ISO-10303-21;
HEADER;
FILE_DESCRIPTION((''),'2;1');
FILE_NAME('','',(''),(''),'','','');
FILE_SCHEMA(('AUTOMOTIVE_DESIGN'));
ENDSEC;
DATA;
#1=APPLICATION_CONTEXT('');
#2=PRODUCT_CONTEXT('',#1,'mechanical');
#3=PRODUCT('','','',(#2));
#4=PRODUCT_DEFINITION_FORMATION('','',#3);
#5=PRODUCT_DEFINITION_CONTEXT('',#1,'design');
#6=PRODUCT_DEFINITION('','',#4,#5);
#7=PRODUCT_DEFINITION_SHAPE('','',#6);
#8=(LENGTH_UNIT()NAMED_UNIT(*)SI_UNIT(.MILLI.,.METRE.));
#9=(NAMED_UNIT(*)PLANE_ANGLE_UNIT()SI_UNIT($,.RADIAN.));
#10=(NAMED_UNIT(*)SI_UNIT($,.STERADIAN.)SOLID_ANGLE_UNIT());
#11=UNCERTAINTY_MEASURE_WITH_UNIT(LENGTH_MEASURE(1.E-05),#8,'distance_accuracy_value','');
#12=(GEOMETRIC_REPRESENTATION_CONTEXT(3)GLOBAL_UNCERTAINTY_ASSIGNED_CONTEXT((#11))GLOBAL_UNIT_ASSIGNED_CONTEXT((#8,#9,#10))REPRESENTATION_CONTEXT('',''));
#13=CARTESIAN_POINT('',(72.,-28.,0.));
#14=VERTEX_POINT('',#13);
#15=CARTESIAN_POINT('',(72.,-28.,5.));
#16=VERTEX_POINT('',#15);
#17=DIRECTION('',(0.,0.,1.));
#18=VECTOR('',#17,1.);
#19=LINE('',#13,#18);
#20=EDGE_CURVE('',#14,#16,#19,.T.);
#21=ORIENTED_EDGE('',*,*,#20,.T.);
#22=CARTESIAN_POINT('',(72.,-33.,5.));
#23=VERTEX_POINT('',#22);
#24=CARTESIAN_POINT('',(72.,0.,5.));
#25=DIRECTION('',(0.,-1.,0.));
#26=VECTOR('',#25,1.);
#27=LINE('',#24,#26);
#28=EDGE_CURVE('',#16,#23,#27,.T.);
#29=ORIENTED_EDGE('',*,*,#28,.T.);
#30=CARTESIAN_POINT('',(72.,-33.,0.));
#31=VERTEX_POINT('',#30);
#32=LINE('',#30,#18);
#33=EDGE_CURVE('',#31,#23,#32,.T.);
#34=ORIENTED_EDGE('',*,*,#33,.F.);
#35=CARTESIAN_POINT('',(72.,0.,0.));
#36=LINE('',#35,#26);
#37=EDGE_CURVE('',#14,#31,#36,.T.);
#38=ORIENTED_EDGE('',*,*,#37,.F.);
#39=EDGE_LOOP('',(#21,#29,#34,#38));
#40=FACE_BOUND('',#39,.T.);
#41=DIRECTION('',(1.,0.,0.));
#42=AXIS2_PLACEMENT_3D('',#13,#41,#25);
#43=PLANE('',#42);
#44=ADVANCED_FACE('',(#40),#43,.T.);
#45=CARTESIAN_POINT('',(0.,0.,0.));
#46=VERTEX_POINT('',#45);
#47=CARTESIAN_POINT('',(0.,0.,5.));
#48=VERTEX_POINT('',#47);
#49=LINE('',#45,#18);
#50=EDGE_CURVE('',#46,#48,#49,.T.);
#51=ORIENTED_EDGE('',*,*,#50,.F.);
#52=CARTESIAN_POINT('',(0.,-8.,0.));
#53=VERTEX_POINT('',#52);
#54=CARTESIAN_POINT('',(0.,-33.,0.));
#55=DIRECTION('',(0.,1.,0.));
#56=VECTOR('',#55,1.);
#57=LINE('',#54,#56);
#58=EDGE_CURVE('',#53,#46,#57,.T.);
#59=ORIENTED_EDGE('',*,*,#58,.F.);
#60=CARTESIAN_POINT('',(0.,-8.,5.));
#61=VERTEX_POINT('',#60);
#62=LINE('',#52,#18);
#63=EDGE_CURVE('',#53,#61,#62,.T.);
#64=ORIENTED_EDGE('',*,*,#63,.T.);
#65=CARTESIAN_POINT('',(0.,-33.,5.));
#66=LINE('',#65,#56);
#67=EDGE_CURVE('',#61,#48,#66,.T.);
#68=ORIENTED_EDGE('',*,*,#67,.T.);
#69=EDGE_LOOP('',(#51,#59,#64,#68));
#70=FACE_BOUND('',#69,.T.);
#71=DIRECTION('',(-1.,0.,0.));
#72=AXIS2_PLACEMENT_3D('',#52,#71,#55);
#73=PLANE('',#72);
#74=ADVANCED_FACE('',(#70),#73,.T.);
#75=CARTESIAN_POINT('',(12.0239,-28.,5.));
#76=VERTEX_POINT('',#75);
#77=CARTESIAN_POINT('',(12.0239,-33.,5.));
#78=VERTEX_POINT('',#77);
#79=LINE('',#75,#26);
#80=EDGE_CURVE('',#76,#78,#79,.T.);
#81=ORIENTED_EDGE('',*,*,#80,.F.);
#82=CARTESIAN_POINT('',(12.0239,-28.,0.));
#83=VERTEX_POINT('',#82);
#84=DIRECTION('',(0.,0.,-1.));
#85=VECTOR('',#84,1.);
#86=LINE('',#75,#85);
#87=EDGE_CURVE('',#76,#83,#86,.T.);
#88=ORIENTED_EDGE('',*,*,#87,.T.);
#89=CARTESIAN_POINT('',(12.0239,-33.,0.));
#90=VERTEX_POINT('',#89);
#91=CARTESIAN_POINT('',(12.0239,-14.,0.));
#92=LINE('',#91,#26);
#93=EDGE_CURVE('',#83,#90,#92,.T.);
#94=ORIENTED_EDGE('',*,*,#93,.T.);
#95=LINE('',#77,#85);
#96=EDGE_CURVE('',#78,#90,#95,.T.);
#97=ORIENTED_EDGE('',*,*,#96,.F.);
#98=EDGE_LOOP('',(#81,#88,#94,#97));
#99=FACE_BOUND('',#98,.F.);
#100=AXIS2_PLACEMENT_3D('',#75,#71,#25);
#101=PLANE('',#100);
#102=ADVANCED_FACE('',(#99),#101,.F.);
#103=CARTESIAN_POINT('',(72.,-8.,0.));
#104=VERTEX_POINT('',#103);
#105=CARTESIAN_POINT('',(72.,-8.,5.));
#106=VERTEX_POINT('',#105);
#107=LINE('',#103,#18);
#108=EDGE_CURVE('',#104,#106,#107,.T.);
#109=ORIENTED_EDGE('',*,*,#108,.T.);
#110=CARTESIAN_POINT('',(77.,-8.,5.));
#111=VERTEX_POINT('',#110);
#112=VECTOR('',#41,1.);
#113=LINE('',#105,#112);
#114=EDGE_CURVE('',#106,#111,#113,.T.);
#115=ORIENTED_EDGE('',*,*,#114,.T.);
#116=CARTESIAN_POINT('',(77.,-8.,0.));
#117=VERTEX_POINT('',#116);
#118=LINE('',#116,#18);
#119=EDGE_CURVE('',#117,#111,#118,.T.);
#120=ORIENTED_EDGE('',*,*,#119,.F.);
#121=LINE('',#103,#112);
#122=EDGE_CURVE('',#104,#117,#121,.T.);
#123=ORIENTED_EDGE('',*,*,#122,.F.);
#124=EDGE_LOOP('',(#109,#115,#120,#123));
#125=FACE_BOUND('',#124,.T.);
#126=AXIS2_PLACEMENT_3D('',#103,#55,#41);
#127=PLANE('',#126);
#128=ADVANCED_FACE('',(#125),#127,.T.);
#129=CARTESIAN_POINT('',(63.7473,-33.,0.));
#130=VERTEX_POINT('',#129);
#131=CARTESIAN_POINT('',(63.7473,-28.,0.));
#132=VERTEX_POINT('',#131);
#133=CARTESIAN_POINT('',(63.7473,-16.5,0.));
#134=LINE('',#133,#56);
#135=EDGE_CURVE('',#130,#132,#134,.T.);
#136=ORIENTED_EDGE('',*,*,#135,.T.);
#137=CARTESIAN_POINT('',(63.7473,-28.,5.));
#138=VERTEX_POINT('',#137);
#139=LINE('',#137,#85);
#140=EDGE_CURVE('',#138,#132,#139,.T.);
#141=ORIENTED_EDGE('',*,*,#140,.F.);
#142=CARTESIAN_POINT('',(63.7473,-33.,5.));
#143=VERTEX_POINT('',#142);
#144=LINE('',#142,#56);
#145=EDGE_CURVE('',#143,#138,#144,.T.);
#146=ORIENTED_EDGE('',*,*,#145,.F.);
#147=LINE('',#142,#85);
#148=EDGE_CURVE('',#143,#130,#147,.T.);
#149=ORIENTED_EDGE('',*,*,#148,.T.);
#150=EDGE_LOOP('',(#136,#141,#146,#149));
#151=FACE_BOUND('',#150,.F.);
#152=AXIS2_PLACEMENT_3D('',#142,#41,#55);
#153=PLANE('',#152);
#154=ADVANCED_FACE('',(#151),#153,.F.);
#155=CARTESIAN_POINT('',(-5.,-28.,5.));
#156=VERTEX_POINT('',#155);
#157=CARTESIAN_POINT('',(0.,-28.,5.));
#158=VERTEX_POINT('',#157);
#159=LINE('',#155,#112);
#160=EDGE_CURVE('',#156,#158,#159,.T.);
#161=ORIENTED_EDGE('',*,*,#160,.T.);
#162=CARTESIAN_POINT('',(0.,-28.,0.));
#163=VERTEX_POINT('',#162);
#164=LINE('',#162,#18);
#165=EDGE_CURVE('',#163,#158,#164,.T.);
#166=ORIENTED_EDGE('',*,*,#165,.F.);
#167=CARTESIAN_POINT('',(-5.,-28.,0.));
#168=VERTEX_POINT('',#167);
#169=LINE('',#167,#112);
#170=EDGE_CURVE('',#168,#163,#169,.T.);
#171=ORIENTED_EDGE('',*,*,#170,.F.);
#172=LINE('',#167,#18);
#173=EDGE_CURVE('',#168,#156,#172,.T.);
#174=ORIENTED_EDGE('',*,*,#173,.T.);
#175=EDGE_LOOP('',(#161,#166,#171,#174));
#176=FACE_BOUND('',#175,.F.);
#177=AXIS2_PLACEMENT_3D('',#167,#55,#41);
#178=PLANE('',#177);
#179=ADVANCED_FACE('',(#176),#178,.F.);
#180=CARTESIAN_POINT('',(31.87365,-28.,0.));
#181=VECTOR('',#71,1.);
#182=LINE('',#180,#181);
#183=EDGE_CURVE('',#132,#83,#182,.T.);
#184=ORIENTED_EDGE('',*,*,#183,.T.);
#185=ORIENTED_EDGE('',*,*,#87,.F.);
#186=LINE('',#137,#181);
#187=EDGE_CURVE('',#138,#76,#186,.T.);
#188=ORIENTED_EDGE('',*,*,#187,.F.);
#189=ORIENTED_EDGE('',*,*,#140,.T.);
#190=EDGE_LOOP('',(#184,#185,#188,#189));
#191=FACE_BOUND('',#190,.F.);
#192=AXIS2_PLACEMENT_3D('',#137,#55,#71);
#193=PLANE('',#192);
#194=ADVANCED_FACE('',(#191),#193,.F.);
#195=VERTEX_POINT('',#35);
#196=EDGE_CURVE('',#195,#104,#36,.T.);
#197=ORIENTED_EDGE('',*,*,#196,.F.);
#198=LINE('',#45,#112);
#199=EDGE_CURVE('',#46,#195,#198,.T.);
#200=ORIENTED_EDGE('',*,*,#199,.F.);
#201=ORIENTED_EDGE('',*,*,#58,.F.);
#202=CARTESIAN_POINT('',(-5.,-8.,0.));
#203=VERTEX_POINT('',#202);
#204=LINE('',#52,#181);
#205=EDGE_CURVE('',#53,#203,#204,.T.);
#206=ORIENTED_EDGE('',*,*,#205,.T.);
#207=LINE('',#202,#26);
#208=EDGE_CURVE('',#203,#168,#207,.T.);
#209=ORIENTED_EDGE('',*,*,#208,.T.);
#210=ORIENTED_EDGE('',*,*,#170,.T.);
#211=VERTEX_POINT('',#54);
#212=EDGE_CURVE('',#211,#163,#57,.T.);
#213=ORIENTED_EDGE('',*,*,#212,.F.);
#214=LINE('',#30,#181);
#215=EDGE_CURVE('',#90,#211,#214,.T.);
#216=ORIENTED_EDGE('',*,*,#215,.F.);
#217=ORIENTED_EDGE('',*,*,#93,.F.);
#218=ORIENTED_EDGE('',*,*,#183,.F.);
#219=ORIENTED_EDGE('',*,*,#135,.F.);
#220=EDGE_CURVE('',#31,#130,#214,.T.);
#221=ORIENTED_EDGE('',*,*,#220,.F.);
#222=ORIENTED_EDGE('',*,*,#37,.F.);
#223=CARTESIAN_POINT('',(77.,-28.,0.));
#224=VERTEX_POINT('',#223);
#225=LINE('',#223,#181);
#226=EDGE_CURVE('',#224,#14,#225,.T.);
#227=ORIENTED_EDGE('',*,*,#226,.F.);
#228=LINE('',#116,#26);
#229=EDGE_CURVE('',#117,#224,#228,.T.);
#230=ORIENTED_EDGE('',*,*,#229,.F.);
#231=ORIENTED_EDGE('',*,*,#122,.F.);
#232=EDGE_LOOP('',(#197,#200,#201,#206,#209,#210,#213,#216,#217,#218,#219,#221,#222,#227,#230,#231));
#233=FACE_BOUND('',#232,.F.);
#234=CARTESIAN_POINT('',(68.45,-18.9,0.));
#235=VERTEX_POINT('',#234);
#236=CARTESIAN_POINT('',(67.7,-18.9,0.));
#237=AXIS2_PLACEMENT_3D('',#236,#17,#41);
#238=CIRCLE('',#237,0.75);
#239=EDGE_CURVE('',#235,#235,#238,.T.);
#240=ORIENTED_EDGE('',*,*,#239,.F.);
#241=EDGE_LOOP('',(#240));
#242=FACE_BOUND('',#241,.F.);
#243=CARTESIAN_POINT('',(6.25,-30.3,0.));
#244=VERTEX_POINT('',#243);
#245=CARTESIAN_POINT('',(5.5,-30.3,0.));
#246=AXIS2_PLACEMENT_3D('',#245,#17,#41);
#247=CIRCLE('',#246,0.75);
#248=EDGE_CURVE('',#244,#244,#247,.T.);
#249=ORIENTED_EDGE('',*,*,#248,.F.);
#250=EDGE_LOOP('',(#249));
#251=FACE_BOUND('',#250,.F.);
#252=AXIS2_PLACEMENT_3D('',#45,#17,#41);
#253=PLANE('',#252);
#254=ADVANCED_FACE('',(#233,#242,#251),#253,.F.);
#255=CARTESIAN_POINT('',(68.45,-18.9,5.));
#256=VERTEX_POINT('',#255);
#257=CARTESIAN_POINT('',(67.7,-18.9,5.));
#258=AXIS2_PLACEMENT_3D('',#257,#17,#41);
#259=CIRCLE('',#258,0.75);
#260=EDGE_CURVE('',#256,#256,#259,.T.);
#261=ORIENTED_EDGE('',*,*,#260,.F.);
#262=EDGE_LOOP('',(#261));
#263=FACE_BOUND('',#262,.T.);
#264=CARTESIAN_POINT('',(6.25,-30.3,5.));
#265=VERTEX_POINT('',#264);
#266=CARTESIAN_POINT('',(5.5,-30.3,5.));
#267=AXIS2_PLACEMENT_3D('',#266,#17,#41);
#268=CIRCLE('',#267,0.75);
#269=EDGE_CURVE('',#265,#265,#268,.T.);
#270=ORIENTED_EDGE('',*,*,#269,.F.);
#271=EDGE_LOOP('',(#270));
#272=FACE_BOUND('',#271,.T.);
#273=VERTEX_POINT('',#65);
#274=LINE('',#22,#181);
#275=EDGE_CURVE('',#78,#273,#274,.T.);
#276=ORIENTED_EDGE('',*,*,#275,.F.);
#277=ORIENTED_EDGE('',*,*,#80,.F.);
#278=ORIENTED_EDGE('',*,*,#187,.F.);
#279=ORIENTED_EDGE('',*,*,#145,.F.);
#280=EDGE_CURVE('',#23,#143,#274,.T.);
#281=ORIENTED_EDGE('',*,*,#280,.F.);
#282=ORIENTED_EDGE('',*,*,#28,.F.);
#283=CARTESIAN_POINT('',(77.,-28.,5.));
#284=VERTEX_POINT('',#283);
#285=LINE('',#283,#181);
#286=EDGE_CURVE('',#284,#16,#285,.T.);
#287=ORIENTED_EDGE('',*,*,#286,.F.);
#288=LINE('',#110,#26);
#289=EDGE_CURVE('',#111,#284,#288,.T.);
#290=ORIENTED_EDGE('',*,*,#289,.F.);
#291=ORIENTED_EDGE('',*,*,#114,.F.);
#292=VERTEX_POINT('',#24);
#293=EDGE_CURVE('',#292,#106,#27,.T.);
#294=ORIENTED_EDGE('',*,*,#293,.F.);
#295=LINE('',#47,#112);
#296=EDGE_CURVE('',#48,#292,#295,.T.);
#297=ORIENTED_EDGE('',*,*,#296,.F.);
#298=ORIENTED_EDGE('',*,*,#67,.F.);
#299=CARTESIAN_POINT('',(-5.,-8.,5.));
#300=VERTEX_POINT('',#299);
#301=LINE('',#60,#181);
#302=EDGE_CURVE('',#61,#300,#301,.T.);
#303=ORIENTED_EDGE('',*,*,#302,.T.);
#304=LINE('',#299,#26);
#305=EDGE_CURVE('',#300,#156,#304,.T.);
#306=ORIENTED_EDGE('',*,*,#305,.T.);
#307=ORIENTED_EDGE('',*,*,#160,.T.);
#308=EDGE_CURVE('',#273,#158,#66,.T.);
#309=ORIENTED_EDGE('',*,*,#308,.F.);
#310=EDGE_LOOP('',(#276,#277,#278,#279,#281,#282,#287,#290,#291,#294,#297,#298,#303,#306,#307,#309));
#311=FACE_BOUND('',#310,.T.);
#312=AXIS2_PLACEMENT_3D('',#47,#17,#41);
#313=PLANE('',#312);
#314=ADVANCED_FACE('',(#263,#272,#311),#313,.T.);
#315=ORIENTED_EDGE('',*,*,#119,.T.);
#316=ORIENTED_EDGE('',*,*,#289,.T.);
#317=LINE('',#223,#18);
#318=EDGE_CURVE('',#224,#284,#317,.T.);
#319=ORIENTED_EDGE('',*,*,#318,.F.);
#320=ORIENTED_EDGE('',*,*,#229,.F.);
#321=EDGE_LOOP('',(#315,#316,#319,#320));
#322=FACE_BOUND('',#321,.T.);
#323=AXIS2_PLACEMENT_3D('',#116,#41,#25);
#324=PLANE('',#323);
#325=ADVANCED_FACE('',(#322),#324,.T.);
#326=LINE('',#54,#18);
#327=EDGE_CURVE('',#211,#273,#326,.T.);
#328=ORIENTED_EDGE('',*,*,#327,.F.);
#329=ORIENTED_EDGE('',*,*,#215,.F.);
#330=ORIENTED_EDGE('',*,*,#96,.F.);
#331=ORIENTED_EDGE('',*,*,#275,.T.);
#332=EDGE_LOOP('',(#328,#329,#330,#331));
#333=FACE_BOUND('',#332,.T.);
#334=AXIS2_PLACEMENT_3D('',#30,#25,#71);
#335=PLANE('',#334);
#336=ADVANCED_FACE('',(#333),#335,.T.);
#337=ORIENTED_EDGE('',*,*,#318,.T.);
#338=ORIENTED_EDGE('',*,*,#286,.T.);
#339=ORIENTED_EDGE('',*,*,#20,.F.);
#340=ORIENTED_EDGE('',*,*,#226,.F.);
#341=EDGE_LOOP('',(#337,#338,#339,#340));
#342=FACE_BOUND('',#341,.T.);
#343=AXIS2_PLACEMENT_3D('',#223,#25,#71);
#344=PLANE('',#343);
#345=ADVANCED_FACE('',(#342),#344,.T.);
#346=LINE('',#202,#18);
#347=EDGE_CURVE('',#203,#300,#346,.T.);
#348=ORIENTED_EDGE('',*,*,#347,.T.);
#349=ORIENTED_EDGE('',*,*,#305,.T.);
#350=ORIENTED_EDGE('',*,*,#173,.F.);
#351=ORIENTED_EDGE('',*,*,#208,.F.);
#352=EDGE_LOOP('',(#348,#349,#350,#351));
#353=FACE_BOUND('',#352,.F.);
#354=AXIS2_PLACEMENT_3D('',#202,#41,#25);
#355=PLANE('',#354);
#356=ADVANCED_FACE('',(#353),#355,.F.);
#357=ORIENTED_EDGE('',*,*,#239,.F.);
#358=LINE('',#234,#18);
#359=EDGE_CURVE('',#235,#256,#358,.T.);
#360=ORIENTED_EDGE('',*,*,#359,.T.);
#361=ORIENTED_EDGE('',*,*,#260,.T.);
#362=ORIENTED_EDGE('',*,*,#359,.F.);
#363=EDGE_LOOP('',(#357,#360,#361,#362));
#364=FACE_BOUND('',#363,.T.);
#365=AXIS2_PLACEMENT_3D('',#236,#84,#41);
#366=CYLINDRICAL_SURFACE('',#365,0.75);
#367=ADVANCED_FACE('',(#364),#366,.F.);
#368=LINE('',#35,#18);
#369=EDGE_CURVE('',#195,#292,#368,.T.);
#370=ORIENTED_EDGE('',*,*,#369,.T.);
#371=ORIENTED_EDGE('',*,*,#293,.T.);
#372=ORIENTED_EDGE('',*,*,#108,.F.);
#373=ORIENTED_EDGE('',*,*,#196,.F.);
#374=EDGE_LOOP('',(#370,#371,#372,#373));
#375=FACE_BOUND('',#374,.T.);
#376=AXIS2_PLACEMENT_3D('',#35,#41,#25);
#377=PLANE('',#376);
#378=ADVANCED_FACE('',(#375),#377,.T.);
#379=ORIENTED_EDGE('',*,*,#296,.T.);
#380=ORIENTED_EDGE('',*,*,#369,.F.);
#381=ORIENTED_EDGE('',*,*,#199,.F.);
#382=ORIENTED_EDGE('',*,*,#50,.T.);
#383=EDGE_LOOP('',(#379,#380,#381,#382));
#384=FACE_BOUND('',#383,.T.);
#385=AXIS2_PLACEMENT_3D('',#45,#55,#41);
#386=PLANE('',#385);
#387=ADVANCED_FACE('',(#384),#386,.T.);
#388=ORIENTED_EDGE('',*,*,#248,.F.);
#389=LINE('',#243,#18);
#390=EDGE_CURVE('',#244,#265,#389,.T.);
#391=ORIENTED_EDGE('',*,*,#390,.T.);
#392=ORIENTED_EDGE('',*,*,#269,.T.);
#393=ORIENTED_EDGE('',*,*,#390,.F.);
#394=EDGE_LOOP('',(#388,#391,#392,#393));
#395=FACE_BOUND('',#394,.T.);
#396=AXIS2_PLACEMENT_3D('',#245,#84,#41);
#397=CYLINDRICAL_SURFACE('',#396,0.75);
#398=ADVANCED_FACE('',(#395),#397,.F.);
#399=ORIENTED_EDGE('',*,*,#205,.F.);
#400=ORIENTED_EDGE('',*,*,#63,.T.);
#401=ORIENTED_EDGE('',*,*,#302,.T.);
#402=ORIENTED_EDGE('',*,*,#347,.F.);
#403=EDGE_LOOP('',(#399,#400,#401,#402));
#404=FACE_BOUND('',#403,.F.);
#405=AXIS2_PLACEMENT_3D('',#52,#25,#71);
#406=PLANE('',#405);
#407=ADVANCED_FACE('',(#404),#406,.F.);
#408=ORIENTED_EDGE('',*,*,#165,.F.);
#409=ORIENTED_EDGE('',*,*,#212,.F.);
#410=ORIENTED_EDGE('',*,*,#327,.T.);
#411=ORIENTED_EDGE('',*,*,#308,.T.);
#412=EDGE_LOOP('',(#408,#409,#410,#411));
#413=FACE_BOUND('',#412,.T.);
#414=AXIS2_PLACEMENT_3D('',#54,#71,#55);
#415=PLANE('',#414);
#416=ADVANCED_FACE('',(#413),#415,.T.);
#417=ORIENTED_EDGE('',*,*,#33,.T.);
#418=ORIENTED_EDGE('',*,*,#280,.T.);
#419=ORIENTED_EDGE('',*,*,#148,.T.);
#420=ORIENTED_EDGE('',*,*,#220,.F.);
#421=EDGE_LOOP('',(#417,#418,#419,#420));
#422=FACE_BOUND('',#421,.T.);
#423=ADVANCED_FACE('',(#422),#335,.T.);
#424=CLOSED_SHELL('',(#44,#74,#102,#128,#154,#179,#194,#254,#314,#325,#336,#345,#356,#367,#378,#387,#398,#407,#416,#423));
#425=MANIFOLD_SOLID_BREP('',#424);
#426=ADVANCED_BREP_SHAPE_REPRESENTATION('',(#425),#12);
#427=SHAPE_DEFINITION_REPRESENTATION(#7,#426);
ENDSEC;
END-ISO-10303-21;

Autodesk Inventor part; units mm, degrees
ref_plane "YZ Plane" through (0, 0, 0) normal (1, 0, 0) x (0, 1, 0)
ref_plane "XZ Plane" through (0, 0, 0) normal (0, 1, 0) x (-1, 0, 0)
ref_plane "XY Plane" through (0, 0, 0) normal (0, 0, 1) x (1, 0, 0)
sketch "草图1" plane through (0, 0, 0) normal (0, 0, 1) x (1, 0, 0)
  line L0 (0, 0) -> (72, 0)
  line L1 (72, 0) -> (72, -33)
  line L2 (72, -33) -> (0, -33)
  line L3 (0, -33) -> (0, 0)
  line L4 (36, 26.4753) -> (36, -41.1536) construction
  line L5 (0.9, -33) -> (71.1, -33) construction
  line L6 (71.1, -33) -> (71.1, 0) construction
  line L7 (71.1, 0) -> (0.9, 0) construction
  line L8 (0.9, 0) -> (0.9, -33) construction
  line L9 (0.9, -33) -> (71.1, 0) construction
  line L10 (71.1, -33) -> (0.9, 0) construction
  circle A0 centre (5.5, -18.9) radius 1 construction
  circle A1 centre (67.7, -18.9) radius 0.75
  circle A2 centre (5.5, -30.3) radius 0.75
  line L11 (0, -8) -> (-5, -8)
  line L12 (-5, -8) -> (-5, -28)
  line L13 (-5, -28) -> (0, -28)
  line L14 (0, -28) -> (0, -8)
  line L15 (72, -8) -> (77, -8)
  line L16 (77, -8) -> (77, -28)
  line L17 (77, -28) -> (72, -28)
  line L18 (72, -28) -> (72, -8)
  point P0 (36, -16.5)
  dimension "d0" = 72
  dimension "d1" = 70.2
  dimension "d2" = 33
  dimension "d3" = 0
  dimension "d4" = 0
  dimension "d5" = 2
  dimension "d6" = 18.9
  dimension "d7" = 4.6
  dimension "d8" = 1.5
  dimension "d9" = 62.2
  dimension "d10" = 1.5
  dimension "d11" = 11.4
  dimension "d12" = 5
  dimension "d13" = 20
  dimension "d14" = 5
  dimension "d15" = 5
  dimension "d16" = 20
  dimension "d17" = 5
extrude "拉伸1" add sketch "草图1" along normal blind 5
sketch "草图2" plane through (0, 0, 5) normal (0, 0, 1) x (1, 0, 0)
  circle A0 centre (67.7, -18.9) radius 0.75 projected
  line L0 (0, -33) -> (72, -33) projected
  line L1 (72, -33) -> (72, -28) projected
  line L2 (-25.3854, -5.8) -> (85.4297, -5.8) construction
  line L3 (12.0239, -33) -> (63.7473, -33)
  line L4 (63.7473, -33) -> (63.7473, -28)
  line L5 (63.7473, -28) -> (12.0239, -28)
  line L6 (12.0239, -28) -> (12.0239, -33)
  dimension "d20" = 13.1
extrude "拉伸2" cut sketch "草图2" against normal through all contours L6 L5 L4 L0
properties part number "print-head-fix"
